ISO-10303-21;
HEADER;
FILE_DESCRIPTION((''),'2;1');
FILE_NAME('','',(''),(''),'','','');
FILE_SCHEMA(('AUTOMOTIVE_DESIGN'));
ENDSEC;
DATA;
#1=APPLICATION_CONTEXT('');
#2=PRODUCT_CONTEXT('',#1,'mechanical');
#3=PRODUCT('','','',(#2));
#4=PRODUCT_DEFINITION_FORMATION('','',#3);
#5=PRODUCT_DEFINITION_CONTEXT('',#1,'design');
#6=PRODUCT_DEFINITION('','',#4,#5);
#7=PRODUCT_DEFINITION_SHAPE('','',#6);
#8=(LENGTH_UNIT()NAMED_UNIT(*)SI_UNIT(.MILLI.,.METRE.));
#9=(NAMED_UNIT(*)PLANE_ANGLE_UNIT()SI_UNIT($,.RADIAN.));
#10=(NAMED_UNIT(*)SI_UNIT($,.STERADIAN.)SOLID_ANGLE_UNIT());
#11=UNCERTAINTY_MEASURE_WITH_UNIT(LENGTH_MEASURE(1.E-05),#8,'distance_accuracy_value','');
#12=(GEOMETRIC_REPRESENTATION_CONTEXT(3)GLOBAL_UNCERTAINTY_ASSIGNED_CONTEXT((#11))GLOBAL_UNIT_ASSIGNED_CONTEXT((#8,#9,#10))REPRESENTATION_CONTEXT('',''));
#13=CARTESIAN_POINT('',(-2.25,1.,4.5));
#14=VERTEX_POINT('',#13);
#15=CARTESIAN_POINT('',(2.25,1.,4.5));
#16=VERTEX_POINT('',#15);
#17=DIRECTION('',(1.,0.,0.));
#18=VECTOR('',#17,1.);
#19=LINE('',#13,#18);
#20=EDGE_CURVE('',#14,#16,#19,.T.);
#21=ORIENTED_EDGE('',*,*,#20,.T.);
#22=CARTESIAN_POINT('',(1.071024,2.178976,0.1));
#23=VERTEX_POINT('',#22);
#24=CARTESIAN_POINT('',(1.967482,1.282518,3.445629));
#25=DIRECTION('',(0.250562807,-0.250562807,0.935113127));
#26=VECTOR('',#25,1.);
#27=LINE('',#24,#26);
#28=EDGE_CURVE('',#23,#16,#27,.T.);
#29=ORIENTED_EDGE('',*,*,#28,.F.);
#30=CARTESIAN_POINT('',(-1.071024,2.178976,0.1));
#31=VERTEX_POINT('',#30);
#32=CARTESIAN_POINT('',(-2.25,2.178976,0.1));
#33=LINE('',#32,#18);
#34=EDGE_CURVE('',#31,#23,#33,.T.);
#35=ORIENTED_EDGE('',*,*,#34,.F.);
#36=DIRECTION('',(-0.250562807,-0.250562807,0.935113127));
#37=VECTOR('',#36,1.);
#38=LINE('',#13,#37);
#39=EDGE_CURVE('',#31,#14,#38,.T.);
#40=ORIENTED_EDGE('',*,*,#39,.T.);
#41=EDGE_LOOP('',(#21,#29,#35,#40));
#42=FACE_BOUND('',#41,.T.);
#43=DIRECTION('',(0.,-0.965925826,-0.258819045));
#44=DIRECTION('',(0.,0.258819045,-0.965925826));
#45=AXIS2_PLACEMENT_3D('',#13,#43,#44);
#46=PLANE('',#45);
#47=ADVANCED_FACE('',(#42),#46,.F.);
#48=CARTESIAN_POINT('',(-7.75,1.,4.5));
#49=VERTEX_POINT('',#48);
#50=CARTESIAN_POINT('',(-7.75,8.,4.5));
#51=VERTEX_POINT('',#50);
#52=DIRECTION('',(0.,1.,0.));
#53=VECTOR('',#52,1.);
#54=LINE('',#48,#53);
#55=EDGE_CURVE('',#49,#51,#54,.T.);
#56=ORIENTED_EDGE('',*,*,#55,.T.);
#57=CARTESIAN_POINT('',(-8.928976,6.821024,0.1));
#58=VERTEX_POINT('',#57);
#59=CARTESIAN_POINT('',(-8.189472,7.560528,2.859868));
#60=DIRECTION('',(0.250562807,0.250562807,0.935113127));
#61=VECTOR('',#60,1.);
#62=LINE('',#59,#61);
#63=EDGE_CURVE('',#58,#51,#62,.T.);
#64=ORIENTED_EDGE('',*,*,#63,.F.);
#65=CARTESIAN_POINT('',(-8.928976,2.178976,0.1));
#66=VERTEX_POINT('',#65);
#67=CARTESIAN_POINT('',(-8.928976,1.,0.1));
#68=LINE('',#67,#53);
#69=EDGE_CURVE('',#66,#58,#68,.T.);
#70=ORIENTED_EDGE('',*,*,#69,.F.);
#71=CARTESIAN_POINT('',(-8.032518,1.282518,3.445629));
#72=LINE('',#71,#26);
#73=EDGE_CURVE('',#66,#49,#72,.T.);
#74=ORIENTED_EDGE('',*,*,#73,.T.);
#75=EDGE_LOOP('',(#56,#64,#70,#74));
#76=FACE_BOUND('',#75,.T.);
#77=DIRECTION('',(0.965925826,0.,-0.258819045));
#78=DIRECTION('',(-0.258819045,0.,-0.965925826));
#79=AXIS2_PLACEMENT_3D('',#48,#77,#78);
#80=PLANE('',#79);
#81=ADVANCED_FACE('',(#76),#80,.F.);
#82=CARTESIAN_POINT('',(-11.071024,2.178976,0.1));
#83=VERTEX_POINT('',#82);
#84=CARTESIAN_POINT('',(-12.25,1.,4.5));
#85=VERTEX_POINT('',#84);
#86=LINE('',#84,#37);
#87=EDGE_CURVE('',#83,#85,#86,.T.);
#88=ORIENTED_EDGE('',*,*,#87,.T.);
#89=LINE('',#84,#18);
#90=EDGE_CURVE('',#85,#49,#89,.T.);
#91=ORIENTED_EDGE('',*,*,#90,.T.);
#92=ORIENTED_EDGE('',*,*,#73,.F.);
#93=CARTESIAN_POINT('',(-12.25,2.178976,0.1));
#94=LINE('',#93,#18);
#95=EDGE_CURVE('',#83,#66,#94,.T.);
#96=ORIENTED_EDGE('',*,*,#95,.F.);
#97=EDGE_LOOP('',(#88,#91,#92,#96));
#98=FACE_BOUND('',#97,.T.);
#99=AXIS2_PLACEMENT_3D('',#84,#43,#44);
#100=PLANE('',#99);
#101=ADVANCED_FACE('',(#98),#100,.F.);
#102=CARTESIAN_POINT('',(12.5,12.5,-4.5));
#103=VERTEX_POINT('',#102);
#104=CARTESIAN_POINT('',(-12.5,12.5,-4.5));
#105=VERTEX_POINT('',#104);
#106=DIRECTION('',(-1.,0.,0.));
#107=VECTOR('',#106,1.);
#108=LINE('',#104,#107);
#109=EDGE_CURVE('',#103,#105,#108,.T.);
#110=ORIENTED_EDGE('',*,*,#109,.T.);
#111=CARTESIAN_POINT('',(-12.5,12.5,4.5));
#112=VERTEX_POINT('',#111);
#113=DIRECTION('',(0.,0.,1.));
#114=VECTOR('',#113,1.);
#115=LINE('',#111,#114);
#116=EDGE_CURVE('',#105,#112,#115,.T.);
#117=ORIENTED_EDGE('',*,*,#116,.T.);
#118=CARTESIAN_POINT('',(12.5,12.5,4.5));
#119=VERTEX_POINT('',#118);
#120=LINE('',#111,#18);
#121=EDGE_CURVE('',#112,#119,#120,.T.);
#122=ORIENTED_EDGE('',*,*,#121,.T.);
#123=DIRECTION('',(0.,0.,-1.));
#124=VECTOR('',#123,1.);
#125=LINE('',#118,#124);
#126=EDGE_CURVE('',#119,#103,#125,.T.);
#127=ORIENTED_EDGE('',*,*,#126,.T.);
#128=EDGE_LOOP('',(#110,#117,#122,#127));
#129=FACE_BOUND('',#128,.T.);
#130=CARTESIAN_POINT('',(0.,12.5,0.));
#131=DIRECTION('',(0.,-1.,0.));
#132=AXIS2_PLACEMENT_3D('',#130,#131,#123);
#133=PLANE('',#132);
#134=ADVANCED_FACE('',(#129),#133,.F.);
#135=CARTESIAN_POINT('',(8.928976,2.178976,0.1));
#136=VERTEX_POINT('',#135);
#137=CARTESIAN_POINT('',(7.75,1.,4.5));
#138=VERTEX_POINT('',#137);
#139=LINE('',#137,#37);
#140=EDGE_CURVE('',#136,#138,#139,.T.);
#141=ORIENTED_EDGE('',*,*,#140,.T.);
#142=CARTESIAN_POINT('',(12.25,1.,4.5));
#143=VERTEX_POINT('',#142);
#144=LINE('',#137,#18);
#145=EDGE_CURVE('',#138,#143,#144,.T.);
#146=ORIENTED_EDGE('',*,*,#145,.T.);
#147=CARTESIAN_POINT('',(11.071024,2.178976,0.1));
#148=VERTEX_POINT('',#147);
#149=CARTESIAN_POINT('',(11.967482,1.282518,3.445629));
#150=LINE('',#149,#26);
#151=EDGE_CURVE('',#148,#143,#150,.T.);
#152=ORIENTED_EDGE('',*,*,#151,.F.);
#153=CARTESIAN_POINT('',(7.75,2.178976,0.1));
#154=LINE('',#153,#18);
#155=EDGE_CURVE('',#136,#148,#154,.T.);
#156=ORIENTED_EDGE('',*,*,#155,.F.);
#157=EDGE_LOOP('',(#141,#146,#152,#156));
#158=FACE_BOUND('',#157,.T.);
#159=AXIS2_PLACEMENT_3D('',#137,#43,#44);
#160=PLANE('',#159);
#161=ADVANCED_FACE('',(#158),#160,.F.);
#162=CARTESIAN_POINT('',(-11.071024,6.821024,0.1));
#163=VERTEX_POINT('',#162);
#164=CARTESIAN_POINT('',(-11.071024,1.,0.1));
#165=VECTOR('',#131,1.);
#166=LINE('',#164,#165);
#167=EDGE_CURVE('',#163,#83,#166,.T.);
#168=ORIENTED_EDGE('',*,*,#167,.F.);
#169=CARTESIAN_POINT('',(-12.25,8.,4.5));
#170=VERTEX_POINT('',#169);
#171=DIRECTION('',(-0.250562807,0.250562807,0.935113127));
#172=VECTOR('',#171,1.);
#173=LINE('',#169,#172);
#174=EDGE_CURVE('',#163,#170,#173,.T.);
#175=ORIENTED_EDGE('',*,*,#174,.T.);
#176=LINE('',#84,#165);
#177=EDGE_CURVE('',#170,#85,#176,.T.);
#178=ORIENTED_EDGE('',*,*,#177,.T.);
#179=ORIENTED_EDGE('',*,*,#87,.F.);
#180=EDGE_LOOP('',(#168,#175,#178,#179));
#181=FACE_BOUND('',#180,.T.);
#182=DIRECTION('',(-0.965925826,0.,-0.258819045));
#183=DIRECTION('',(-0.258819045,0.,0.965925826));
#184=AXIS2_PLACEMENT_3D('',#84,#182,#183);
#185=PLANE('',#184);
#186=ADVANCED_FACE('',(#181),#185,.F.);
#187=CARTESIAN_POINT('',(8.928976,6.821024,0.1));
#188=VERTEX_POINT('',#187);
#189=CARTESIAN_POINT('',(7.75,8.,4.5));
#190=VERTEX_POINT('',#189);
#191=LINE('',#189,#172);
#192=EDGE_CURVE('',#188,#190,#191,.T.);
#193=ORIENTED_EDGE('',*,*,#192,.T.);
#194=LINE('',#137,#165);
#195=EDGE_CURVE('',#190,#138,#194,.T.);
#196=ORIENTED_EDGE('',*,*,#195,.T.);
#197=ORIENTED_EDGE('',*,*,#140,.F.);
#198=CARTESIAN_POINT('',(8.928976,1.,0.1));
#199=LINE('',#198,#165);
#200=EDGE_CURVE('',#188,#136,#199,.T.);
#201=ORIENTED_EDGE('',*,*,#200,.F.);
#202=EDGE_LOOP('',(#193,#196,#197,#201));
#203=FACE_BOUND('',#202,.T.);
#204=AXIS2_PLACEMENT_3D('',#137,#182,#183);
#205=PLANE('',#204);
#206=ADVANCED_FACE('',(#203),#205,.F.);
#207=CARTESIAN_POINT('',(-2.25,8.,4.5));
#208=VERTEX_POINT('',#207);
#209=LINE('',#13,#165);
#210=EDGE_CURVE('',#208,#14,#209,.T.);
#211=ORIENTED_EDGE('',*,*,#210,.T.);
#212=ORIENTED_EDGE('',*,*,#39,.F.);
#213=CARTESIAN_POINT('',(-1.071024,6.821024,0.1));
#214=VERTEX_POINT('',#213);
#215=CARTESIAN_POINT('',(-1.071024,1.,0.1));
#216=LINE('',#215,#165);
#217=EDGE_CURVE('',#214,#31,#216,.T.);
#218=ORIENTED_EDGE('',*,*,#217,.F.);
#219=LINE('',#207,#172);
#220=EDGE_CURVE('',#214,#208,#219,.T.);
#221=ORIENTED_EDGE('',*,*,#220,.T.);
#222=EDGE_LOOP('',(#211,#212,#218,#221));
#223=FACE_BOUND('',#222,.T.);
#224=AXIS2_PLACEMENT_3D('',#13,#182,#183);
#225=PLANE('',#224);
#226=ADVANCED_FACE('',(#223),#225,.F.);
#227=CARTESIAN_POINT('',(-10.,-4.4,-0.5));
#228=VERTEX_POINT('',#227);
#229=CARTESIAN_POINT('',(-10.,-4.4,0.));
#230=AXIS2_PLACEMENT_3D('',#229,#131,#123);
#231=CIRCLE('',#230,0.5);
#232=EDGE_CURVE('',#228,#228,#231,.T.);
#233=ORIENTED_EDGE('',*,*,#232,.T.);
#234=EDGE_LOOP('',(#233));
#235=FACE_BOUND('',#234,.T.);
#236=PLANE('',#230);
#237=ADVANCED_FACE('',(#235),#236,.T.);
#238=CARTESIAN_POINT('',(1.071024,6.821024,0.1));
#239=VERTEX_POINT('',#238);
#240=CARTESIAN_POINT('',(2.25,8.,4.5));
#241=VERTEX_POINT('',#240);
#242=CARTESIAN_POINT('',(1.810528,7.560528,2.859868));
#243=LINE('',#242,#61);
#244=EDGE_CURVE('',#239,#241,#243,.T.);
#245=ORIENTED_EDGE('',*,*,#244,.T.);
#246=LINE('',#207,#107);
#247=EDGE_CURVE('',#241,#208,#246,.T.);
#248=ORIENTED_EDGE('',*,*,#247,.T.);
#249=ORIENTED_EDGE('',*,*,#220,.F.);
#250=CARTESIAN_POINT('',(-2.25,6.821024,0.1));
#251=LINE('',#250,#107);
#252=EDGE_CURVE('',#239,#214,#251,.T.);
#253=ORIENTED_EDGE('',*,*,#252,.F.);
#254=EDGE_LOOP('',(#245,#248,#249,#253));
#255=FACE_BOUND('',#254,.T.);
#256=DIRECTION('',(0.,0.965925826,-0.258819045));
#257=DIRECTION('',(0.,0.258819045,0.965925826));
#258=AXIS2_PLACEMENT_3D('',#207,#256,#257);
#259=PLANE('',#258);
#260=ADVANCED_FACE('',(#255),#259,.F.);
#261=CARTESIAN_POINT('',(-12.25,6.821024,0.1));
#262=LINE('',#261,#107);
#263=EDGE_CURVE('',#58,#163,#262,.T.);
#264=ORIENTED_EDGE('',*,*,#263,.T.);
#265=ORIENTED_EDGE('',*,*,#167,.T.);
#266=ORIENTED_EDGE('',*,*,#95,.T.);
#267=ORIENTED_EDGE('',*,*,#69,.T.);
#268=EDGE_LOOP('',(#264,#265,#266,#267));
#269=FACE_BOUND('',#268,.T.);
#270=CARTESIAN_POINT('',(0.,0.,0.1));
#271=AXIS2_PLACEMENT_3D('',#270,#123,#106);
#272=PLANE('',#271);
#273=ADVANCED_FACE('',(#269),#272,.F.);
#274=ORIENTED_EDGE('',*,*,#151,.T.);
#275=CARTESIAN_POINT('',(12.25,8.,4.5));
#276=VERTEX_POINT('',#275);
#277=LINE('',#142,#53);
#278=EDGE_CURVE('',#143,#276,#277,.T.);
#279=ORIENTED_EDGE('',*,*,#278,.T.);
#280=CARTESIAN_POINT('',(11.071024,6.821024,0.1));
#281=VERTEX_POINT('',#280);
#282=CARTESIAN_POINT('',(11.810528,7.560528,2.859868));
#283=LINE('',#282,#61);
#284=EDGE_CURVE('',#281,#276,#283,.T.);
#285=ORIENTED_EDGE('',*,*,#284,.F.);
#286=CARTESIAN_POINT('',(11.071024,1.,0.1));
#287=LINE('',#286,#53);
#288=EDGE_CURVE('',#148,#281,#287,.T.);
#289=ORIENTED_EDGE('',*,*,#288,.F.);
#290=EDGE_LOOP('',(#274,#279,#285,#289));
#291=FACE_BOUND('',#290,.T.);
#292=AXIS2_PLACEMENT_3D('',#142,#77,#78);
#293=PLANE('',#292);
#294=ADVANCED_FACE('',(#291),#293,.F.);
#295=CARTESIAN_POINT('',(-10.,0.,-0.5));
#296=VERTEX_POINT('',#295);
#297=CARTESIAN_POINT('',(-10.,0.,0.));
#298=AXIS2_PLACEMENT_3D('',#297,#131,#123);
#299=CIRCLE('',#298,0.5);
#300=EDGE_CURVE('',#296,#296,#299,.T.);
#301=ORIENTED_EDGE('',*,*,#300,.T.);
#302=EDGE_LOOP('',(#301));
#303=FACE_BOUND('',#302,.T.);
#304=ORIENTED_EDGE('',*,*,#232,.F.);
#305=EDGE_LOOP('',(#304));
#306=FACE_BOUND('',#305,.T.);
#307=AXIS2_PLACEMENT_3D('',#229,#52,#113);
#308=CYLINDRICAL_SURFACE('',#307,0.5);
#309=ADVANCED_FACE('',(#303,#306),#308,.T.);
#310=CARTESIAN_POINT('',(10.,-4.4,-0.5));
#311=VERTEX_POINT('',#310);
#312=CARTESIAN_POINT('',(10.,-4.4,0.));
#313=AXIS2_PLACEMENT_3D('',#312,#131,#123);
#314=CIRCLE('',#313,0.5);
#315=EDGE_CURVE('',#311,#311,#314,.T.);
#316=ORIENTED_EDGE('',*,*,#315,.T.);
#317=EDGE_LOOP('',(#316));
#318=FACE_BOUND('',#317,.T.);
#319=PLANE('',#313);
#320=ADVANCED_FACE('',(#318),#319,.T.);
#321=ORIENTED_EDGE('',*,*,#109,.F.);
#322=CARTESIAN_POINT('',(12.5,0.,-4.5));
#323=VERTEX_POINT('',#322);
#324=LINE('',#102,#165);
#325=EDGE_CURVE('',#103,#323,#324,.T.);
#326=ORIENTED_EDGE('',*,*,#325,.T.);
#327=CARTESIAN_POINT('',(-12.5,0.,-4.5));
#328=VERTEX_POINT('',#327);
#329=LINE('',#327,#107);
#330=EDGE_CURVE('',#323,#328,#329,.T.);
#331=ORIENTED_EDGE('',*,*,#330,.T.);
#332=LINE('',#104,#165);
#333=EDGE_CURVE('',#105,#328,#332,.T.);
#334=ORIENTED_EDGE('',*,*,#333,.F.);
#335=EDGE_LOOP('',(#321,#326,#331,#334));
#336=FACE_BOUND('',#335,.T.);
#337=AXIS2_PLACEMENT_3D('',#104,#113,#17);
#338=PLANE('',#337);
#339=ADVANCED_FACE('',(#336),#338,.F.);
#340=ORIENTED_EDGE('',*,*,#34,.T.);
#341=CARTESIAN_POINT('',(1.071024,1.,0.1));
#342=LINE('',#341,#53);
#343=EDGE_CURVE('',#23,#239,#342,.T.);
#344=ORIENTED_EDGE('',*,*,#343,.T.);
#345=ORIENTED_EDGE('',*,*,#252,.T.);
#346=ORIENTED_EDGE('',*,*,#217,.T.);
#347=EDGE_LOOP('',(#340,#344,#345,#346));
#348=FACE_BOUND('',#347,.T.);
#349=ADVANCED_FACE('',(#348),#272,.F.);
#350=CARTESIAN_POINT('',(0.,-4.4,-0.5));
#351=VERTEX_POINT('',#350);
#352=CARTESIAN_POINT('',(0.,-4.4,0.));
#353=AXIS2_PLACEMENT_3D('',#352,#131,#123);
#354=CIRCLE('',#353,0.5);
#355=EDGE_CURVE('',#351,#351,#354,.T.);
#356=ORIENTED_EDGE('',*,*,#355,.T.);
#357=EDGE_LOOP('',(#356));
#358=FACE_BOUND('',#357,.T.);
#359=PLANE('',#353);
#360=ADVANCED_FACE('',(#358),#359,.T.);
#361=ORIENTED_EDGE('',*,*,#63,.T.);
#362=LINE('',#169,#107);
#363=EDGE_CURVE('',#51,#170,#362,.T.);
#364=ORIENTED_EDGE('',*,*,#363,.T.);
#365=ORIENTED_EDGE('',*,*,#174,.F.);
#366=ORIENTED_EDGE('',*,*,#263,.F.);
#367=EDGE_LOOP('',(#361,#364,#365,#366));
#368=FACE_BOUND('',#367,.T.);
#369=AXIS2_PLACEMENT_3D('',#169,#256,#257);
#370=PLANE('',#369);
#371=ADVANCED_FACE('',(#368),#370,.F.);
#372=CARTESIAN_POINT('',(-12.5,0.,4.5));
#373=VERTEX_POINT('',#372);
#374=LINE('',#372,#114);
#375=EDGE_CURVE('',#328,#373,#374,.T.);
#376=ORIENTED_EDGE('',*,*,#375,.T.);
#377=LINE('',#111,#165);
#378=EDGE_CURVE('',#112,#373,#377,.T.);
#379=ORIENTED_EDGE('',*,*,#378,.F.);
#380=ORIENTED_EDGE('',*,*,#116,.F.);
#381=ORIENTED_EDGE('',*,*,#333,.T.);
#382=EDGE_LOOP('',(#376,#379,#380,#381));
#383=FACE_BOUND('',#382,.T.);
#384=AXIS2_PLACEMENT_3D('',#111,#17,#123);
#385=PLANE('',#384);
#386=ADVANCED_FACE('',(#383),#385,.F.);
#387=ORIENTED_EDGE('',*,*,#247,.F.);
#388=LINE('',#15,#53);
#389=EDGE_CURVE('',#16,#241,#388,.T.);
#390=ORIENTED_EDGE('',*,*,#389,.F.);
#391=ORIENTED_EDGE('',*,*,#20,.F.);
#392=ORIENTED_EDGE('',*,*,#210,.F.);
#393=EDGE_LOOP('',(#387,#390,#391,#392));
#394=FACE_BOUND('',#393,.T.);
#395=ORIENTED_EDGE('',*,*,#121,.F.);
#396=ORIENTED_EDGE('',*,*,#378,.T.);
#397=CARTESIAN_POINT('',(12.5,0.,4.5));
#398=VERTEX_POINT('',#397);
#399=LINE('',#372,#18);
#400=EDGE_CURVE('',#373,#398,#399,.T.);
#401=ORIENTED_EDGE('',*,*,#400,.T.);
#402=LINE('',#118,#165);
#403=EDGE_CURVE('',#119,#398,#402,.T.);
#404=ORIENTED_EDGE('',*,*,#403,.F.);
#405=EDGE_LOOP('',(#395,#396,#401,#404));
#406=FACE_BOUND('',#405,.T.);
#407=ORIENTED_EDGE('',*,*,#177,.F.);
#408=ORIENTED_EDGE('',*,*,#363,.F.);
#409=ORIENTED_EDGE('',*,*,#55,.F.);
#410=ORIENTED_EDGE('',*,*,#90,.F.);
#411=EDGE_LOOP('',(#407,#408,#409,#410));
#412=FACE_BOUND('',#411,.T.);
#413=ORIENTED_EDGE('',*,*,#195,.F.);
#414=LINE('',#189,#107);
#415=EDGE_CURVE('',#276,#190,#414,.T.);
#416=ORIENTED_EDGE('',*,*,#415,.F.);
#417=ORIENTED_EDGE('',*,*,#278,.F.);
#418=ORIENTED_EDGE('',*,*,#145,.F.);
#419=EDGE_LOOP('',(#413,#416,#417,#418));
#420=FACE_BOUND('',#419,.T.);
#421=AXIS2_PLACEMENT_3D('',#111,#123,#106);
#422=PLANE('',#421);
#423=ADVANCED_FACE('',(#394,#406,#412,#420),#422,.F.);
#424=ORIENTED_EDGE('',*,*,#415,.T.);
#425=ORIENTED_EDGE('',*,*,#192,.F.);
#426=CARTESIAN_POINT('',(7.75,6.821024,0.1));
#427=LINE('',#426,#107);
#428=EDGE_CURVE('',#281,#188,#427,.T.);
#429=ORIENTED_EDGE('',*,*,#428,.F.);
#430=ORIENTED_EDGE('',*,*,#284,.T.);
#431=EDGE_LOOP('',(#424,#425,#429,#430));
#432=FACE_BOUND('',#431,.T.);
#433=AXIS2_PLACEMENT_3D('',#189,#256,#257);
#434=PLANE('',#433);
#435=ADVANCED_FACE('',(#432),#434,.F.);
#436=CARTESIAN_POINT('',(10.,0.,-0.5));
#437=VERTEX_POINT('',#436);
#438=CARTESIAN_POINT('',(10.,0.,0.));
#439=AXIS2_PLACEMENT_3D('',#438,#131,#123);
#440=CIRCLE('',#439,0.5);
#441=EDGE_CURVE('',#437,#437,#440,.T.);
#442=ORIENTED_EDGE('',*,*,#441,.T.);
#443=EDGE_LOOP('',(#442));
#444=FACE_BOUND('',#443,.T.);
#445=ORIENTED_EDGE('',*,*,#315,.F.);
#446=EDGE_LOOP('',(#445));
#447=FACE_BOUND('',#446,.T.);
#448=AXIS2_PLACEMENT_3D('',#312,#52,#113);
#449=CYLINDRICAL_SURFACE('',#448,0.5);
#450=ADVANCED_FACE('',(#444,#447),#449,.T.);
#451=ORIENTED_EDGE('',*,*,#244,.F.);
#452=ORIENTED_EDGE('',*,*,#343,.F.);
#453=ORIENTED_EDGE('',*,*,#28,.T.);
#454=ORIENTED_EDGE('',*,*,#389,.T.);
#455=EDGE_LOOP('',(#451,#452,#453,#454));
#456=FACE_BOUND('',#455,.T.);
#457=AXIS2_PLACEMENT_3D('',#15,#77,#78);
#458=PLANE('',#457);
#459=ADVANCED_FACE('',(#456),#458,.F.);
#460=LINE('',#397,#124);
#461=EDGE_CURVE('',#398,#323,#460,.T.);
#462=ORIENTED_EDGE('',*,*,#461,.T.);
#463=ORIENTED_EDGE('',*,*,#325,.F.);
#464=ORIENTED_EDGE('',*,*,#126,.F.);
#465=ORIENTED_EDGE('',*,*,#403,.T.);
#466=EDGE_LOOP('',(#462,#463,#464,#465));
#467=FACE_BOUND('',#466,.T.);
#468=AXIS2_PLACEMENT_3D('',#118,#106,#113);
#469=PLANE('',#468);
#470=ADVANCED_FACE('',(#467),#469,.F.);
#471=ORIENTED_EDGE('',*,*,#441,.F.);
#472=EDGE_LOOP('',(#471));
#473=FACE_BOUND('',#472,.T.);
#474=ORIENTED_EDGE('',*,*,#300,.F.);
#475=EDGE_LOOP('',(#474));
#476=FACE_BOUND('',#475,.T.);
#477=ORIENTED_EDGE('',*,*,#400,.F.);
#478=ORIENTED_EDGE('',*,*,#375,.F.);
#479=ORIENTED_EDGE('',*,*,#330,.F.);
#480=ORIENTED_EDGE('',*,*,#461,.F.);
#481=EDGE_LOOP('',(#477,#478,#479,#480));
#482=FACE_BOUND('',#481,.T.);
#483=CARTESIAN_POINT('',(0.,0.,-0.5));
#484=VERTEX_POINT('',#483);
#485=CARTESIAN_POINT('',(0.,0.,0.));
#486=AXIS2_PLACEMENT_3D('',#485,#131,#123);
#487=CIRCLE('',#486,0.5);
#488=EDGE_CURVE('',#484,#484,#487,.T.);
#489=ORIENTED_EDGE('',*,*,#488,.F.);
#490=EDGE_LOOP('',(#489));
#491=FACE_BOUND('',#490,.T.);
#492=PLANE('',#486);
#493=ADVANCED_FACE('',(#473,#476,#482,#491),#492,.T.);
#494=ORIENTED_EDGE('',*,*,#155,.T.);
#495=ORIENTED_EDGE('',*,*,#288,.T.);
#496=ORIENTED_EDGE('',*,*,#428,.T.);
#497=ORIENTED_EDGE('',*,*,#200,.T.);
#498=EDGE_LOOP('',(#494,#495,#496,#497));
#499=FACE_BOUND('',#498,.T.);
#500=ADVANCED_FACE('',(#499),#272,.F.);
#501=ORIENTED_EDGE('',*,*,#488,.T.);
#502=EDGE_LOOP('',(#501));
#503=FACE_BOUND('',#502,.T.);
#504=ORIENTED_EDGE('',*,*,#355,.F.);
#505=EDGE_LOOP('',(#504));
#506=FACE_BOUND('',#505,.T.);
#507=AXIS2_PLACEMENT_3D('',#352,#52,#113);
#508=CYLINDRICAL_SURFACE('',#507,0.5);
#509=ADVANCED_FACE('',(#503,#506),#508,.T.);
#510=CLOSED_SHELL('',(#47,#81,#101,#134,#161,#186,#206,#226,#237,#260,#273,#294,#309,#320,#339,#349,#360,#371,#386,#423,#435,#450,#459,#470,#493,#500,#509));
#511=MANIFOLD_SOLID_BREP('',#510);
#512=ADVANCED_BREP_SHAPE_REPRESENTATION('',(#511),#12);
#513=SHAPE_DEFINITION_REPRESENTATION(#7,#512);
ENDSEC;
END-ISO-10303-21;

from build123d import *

# Parameters (mm, degrees)
SKETCH1_W                    = 25
SKETCH1_H                    = 9
BOSS_EXTRUDE1_DEPTH          = 12.5
SKETCH2_R                    = 0.5
BOSS_EXTRUDE2_DEPTH          = 4.4
SKETCH3_W                    = 4.5
SKETCH3_H                    = 7
CUT_EXTRUDE1_DEPTH           = 4.4
CUT_EXTRUDE1_DRAFT           = -15
CUT_EXTRUDE1_PROFILE_2_DEPTH = 4.4
CUT_EXTRUDE1_PROFILE_2_DRAFT = -15
CUT_EXTRUDE1_PROFILE_3_DEPTH = 4.4
CUT_EXTRUDE1_PROFILE_3_DRAFT = -15


with BuildPart() as part:
    # Sketch1 → Boss-Extrude1 (new body)
    with BuildSketch(Plane(origin=(0, 0, 0), x_dir=(1, 0, 0), z_dir=(0, 1, 0))):
        Rectangle(SKETCH1_W, SKETCH1_H)
    extrude(amount=BOSS_EXTRUDE1_DEPTH)

    # Sketch2 → Boss-Extrude2 (add)
    with BuildSketch(Plane.XZ):
        with Locations(Location((0, 0, 0), (0, 0, 270))):
            Circle(SKETCH2_R)
        with Locations(Location((-10, 0, 0), (0, 0, 270))):
            Circle(SKETCH2_R)
        with Locations(Location((10, 0, 0), (0, 0, 270))):
            Circle(SKETCH2_R)
    extrude(amount=BOSS_EXTRUDE2_DEPTH)


with BuildPart() as cut_extrude1_tool:
    # Sketch3 → Cut-Extrude1 (with draft: the straight prism first)
    with BuildSketch(Plane.XY.offset(4.5)):
        with Locations((0, 4.5)):
            Rectangle(SKETCH3_W, SKETCH3_H)
    extrude(amount=-CUT_EXTRUDE1_DEPTH)
    # Cut-Extrude1: the draft: its side faces are tilted about the plane it starts from
    cut_extrude1_sides = [cut_extrude1_tool.faces().sort_by_distance(p)[0] for p in [
        (0, 1, 2.3),
        (2.25, 4.5, 2.3),
        (0, 8, 2.3),
        (-2.25, 4.5, 2.3),
    ]]
    draft(cut_extrude1_sides, Plane.XY.offset(4.5), CUT_EXTRUDE1_DRAFT)


with BuildPart() as part_1:
    add(part.part)

    # Cut-Extrude1: cut by cut_extrude1_tool
    add(cut_extrude1_tool.part, mode=Mode.SUBTRACT)


with BuildPart() as cut_extrude1_profile_2_tool:
    # Sketch3 → Cut-Extrude1 profile 2 (with draft: the straight prism first)
    with BuildSketch(Plane.XY.offset(4.5)):
        with Locations((10, 4.5)):
            Rectangle(SKETCH3_W, SKETCH3_H)
    extrude(amount=-CUT_EXTRUDE1_PROFILE_2_DEPTH)
    # Cut-Extrude1 profile 2: the draft: its side faces are tilted about the plane it starts from
    cut_extrude1_profile_2_sides = [cut_extrude1_profile_2_tool.faces().sort_by_distance(p)[0] for p in [
        (10, 1, 2.3),
        (12.25, 4.5, 2.3),
        (10, 8, 2.3),
        (7.75, 4.5, 2.3),
    ]]
    draft(cut_extrude1_profile_2_sides, Plane.XY.offset(4.5), CUT_EXTRUDE1_PROFILE_2_DRAFT)


with BuildPart() as part_2:
    add(part_1.part)

    # Cut-Extrude1 profile 2: cut by cut_extrude1_profile_2_tool
    add(cut_extrude1_profile_2_tool.part, mode=Mode.SUBTRACT)


with BuildPart() as cut_extrude1_profile_3_tool:
    # Sketch3 → Cut-Extrude1 profile 3 (with draft: the straight prism first)
    with BuildSketch(Plane.XY.offset(4.5)):
        with Locations((-10, 4.5)):
            Rectangle(SKETCH3_W, SKETCH3_H)
    extrude(amount=-CUT_EXTRUDE1_PROFILE_3_DEPTH)
    # Cut-Extrude1 profile 3: the draft: its side faces are tilted about the plane it starts from
    cut_extrude1_profile_3_sides = [cut_extrude1_profile_3_tool.faces().sort_by_distance(p)[0] for p in [
        (-10, 1, 2.3),
        (-7.75, 4.5, 2.3),
        (-10, 8, 2.3),
        (-12.25, 4.5, 2.3),
    ]]
    draft(cut_extrude1_profile_3_sides, Plane.XY.offset(4.5), CUT_EXTRUDE1_PROFILE_3_DRAFT)


with BuildPart() as part_3:
    add(part_2.part)

    # Cut-Extrude1 profile 3: cut by cut_extrude1_profile_3_tool
    add(cut_extrude1_profile_3_tool.part, mode=Mode.SUBTRACT)


solid = part_3.part
